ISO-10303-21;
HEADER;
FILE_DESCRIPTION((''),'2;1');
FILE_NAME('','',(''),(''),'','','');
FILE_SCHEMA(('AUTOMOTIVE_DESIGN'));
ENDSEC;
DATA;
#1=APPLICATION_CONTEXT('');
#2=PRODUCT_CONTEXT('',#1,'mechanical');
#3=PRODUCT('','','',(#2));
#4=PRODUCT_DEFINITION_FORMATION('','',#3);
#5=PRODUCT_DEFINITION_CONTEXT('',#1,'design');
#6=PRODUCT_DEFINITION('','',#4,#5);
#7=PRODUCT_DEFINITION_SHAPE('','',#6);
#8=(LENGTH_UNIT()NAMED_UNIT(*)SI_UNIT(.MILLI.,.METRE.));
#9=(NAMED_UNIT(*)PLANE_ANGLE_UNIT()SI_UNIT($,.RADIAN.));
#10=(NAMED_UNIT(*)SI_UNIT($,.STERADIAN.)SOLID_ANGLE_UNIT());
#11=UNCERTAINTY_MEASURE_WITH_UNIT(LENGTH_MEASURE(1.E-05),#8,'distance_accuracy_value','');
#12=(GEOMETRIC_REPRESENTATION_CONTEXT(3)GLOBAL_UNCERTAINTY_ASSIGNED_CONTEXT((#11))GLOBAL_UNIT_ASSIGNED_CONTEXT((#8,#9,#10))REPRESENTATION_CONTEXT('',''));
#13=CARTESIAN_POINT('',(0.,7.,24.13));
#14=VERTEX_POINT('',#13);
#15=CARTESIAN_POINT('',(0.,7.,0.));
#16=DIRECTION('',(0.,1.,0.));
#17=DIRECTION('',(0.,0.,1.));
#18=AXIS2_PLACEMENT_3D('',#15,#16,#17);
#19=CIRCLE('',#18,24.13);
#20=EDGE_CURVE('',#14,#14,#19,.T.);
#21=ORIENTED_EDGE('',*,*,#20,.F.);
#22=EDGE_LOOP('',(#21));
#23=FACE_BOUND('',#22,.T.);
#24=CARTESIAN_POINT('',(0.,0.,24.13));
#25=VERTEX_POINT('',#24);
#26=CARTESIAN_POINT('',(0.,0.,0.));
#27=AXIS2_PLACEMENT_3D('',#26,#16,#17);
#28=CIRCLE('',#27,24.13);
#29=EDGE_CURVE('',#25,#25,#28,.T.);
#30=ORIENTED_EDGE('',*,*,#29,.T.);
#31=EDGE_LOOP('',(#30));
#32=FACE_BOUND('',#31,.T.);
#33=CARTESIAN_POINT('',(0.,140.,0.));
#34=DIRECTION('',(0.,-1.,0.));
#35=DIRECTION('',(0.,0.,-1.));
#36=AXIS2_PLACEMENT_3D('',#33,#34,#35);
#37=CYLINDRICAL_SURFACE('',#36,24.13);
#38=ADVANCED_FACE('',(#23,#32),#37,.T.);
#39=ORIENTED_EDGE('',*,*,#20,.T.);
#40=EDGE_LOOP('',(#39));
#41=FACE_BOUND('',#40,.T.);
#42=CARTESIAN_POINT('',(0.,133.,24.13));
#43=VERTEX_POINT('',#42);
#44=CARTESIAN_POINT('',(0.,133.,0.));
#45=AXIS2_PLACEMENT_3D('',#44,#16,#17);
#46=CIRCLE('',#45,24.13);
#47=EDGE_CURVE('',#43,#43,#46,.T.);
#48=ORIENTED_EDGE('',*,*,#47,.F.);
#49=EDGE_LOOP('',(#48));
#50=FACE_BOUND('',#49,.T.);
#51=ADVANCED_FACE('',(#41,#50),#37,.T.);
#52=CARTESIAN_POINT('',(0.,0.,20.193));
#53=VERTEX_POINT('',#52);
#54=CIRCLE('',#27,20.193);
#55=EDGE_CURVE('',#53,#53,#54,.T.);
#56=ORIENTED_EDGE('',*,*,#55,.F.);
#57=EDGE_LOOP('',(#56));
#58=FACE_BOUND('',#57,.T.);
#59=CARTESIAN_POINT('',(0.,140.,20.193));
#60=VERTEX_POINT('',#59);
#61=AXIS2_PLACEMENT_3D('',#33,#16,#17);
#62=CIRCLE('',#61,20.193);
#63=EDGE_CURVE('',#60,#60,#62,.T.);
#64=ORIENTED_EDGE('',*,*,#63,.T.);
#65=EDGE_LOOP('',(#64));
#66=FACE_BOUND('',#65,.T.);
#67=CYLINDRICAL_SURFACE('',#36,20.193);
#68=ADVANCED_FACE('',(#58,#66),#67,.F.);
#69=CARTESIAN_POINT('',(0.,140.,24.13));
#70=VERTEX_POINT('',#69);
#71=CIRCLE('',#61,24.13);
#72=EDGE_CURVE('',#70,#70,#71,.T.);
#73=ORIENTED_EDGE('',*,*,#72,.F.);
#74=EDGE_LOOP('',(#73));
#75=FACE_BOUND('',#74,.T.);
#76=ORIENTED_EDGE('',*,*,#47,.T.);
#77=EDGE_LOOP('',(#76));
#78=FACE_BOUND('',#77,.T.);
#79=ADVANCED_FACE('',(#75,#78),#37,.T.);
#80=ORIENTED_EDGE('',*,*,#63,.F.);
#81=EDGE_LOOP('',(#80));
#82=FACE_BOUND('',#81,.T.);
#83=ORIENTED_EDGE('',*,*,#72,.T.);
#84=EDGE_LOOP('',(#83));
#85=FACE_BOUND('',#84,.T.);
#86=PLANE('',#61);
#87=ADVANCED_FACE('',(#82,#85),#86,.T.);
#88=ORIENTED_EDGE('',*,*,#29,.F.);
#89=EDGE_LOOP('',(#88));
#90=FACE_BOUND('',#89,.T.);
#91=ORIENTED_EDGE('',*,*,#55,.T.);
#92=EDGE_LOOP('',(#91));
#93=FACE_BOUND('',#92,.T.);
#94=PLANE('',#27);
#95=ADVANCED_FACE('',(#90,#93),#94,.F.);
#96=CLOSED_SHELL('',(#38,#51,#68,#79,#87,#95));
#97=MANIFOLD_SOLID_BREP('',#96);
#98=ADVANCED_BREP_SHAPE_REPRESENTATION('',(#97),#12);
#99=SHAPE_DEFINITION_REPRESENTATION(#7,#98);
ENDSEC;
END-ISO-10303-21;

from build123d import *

# Parameters (mm, degrees)
SKETCH1_R           = 24.13
SKETCH1_R_2         = 20.193
BOSS_EXTRUDE1_DEPTH = 140


with BuildPart() as part:
    # Sketch1 → Boss-Extrude1 (new body)
    with BuildSketch(Plane(origin=(0, 0, 0), x_dir=(1, 0, 0), z_dir=(0, 1, 0))):
        with Locations(Location((0, 0, 0), (0, 0, 270))):
            Circle(SKETCH1_R)
        with Locations(Location((0, 0, 0), (0, 0, 270))):
            Circle(SKETCH1_R_2, mode=Mode.SUBTRACT)
    extrude(amount=BOSS_EXTRUDE1_DEPTH)


solid = part.part
